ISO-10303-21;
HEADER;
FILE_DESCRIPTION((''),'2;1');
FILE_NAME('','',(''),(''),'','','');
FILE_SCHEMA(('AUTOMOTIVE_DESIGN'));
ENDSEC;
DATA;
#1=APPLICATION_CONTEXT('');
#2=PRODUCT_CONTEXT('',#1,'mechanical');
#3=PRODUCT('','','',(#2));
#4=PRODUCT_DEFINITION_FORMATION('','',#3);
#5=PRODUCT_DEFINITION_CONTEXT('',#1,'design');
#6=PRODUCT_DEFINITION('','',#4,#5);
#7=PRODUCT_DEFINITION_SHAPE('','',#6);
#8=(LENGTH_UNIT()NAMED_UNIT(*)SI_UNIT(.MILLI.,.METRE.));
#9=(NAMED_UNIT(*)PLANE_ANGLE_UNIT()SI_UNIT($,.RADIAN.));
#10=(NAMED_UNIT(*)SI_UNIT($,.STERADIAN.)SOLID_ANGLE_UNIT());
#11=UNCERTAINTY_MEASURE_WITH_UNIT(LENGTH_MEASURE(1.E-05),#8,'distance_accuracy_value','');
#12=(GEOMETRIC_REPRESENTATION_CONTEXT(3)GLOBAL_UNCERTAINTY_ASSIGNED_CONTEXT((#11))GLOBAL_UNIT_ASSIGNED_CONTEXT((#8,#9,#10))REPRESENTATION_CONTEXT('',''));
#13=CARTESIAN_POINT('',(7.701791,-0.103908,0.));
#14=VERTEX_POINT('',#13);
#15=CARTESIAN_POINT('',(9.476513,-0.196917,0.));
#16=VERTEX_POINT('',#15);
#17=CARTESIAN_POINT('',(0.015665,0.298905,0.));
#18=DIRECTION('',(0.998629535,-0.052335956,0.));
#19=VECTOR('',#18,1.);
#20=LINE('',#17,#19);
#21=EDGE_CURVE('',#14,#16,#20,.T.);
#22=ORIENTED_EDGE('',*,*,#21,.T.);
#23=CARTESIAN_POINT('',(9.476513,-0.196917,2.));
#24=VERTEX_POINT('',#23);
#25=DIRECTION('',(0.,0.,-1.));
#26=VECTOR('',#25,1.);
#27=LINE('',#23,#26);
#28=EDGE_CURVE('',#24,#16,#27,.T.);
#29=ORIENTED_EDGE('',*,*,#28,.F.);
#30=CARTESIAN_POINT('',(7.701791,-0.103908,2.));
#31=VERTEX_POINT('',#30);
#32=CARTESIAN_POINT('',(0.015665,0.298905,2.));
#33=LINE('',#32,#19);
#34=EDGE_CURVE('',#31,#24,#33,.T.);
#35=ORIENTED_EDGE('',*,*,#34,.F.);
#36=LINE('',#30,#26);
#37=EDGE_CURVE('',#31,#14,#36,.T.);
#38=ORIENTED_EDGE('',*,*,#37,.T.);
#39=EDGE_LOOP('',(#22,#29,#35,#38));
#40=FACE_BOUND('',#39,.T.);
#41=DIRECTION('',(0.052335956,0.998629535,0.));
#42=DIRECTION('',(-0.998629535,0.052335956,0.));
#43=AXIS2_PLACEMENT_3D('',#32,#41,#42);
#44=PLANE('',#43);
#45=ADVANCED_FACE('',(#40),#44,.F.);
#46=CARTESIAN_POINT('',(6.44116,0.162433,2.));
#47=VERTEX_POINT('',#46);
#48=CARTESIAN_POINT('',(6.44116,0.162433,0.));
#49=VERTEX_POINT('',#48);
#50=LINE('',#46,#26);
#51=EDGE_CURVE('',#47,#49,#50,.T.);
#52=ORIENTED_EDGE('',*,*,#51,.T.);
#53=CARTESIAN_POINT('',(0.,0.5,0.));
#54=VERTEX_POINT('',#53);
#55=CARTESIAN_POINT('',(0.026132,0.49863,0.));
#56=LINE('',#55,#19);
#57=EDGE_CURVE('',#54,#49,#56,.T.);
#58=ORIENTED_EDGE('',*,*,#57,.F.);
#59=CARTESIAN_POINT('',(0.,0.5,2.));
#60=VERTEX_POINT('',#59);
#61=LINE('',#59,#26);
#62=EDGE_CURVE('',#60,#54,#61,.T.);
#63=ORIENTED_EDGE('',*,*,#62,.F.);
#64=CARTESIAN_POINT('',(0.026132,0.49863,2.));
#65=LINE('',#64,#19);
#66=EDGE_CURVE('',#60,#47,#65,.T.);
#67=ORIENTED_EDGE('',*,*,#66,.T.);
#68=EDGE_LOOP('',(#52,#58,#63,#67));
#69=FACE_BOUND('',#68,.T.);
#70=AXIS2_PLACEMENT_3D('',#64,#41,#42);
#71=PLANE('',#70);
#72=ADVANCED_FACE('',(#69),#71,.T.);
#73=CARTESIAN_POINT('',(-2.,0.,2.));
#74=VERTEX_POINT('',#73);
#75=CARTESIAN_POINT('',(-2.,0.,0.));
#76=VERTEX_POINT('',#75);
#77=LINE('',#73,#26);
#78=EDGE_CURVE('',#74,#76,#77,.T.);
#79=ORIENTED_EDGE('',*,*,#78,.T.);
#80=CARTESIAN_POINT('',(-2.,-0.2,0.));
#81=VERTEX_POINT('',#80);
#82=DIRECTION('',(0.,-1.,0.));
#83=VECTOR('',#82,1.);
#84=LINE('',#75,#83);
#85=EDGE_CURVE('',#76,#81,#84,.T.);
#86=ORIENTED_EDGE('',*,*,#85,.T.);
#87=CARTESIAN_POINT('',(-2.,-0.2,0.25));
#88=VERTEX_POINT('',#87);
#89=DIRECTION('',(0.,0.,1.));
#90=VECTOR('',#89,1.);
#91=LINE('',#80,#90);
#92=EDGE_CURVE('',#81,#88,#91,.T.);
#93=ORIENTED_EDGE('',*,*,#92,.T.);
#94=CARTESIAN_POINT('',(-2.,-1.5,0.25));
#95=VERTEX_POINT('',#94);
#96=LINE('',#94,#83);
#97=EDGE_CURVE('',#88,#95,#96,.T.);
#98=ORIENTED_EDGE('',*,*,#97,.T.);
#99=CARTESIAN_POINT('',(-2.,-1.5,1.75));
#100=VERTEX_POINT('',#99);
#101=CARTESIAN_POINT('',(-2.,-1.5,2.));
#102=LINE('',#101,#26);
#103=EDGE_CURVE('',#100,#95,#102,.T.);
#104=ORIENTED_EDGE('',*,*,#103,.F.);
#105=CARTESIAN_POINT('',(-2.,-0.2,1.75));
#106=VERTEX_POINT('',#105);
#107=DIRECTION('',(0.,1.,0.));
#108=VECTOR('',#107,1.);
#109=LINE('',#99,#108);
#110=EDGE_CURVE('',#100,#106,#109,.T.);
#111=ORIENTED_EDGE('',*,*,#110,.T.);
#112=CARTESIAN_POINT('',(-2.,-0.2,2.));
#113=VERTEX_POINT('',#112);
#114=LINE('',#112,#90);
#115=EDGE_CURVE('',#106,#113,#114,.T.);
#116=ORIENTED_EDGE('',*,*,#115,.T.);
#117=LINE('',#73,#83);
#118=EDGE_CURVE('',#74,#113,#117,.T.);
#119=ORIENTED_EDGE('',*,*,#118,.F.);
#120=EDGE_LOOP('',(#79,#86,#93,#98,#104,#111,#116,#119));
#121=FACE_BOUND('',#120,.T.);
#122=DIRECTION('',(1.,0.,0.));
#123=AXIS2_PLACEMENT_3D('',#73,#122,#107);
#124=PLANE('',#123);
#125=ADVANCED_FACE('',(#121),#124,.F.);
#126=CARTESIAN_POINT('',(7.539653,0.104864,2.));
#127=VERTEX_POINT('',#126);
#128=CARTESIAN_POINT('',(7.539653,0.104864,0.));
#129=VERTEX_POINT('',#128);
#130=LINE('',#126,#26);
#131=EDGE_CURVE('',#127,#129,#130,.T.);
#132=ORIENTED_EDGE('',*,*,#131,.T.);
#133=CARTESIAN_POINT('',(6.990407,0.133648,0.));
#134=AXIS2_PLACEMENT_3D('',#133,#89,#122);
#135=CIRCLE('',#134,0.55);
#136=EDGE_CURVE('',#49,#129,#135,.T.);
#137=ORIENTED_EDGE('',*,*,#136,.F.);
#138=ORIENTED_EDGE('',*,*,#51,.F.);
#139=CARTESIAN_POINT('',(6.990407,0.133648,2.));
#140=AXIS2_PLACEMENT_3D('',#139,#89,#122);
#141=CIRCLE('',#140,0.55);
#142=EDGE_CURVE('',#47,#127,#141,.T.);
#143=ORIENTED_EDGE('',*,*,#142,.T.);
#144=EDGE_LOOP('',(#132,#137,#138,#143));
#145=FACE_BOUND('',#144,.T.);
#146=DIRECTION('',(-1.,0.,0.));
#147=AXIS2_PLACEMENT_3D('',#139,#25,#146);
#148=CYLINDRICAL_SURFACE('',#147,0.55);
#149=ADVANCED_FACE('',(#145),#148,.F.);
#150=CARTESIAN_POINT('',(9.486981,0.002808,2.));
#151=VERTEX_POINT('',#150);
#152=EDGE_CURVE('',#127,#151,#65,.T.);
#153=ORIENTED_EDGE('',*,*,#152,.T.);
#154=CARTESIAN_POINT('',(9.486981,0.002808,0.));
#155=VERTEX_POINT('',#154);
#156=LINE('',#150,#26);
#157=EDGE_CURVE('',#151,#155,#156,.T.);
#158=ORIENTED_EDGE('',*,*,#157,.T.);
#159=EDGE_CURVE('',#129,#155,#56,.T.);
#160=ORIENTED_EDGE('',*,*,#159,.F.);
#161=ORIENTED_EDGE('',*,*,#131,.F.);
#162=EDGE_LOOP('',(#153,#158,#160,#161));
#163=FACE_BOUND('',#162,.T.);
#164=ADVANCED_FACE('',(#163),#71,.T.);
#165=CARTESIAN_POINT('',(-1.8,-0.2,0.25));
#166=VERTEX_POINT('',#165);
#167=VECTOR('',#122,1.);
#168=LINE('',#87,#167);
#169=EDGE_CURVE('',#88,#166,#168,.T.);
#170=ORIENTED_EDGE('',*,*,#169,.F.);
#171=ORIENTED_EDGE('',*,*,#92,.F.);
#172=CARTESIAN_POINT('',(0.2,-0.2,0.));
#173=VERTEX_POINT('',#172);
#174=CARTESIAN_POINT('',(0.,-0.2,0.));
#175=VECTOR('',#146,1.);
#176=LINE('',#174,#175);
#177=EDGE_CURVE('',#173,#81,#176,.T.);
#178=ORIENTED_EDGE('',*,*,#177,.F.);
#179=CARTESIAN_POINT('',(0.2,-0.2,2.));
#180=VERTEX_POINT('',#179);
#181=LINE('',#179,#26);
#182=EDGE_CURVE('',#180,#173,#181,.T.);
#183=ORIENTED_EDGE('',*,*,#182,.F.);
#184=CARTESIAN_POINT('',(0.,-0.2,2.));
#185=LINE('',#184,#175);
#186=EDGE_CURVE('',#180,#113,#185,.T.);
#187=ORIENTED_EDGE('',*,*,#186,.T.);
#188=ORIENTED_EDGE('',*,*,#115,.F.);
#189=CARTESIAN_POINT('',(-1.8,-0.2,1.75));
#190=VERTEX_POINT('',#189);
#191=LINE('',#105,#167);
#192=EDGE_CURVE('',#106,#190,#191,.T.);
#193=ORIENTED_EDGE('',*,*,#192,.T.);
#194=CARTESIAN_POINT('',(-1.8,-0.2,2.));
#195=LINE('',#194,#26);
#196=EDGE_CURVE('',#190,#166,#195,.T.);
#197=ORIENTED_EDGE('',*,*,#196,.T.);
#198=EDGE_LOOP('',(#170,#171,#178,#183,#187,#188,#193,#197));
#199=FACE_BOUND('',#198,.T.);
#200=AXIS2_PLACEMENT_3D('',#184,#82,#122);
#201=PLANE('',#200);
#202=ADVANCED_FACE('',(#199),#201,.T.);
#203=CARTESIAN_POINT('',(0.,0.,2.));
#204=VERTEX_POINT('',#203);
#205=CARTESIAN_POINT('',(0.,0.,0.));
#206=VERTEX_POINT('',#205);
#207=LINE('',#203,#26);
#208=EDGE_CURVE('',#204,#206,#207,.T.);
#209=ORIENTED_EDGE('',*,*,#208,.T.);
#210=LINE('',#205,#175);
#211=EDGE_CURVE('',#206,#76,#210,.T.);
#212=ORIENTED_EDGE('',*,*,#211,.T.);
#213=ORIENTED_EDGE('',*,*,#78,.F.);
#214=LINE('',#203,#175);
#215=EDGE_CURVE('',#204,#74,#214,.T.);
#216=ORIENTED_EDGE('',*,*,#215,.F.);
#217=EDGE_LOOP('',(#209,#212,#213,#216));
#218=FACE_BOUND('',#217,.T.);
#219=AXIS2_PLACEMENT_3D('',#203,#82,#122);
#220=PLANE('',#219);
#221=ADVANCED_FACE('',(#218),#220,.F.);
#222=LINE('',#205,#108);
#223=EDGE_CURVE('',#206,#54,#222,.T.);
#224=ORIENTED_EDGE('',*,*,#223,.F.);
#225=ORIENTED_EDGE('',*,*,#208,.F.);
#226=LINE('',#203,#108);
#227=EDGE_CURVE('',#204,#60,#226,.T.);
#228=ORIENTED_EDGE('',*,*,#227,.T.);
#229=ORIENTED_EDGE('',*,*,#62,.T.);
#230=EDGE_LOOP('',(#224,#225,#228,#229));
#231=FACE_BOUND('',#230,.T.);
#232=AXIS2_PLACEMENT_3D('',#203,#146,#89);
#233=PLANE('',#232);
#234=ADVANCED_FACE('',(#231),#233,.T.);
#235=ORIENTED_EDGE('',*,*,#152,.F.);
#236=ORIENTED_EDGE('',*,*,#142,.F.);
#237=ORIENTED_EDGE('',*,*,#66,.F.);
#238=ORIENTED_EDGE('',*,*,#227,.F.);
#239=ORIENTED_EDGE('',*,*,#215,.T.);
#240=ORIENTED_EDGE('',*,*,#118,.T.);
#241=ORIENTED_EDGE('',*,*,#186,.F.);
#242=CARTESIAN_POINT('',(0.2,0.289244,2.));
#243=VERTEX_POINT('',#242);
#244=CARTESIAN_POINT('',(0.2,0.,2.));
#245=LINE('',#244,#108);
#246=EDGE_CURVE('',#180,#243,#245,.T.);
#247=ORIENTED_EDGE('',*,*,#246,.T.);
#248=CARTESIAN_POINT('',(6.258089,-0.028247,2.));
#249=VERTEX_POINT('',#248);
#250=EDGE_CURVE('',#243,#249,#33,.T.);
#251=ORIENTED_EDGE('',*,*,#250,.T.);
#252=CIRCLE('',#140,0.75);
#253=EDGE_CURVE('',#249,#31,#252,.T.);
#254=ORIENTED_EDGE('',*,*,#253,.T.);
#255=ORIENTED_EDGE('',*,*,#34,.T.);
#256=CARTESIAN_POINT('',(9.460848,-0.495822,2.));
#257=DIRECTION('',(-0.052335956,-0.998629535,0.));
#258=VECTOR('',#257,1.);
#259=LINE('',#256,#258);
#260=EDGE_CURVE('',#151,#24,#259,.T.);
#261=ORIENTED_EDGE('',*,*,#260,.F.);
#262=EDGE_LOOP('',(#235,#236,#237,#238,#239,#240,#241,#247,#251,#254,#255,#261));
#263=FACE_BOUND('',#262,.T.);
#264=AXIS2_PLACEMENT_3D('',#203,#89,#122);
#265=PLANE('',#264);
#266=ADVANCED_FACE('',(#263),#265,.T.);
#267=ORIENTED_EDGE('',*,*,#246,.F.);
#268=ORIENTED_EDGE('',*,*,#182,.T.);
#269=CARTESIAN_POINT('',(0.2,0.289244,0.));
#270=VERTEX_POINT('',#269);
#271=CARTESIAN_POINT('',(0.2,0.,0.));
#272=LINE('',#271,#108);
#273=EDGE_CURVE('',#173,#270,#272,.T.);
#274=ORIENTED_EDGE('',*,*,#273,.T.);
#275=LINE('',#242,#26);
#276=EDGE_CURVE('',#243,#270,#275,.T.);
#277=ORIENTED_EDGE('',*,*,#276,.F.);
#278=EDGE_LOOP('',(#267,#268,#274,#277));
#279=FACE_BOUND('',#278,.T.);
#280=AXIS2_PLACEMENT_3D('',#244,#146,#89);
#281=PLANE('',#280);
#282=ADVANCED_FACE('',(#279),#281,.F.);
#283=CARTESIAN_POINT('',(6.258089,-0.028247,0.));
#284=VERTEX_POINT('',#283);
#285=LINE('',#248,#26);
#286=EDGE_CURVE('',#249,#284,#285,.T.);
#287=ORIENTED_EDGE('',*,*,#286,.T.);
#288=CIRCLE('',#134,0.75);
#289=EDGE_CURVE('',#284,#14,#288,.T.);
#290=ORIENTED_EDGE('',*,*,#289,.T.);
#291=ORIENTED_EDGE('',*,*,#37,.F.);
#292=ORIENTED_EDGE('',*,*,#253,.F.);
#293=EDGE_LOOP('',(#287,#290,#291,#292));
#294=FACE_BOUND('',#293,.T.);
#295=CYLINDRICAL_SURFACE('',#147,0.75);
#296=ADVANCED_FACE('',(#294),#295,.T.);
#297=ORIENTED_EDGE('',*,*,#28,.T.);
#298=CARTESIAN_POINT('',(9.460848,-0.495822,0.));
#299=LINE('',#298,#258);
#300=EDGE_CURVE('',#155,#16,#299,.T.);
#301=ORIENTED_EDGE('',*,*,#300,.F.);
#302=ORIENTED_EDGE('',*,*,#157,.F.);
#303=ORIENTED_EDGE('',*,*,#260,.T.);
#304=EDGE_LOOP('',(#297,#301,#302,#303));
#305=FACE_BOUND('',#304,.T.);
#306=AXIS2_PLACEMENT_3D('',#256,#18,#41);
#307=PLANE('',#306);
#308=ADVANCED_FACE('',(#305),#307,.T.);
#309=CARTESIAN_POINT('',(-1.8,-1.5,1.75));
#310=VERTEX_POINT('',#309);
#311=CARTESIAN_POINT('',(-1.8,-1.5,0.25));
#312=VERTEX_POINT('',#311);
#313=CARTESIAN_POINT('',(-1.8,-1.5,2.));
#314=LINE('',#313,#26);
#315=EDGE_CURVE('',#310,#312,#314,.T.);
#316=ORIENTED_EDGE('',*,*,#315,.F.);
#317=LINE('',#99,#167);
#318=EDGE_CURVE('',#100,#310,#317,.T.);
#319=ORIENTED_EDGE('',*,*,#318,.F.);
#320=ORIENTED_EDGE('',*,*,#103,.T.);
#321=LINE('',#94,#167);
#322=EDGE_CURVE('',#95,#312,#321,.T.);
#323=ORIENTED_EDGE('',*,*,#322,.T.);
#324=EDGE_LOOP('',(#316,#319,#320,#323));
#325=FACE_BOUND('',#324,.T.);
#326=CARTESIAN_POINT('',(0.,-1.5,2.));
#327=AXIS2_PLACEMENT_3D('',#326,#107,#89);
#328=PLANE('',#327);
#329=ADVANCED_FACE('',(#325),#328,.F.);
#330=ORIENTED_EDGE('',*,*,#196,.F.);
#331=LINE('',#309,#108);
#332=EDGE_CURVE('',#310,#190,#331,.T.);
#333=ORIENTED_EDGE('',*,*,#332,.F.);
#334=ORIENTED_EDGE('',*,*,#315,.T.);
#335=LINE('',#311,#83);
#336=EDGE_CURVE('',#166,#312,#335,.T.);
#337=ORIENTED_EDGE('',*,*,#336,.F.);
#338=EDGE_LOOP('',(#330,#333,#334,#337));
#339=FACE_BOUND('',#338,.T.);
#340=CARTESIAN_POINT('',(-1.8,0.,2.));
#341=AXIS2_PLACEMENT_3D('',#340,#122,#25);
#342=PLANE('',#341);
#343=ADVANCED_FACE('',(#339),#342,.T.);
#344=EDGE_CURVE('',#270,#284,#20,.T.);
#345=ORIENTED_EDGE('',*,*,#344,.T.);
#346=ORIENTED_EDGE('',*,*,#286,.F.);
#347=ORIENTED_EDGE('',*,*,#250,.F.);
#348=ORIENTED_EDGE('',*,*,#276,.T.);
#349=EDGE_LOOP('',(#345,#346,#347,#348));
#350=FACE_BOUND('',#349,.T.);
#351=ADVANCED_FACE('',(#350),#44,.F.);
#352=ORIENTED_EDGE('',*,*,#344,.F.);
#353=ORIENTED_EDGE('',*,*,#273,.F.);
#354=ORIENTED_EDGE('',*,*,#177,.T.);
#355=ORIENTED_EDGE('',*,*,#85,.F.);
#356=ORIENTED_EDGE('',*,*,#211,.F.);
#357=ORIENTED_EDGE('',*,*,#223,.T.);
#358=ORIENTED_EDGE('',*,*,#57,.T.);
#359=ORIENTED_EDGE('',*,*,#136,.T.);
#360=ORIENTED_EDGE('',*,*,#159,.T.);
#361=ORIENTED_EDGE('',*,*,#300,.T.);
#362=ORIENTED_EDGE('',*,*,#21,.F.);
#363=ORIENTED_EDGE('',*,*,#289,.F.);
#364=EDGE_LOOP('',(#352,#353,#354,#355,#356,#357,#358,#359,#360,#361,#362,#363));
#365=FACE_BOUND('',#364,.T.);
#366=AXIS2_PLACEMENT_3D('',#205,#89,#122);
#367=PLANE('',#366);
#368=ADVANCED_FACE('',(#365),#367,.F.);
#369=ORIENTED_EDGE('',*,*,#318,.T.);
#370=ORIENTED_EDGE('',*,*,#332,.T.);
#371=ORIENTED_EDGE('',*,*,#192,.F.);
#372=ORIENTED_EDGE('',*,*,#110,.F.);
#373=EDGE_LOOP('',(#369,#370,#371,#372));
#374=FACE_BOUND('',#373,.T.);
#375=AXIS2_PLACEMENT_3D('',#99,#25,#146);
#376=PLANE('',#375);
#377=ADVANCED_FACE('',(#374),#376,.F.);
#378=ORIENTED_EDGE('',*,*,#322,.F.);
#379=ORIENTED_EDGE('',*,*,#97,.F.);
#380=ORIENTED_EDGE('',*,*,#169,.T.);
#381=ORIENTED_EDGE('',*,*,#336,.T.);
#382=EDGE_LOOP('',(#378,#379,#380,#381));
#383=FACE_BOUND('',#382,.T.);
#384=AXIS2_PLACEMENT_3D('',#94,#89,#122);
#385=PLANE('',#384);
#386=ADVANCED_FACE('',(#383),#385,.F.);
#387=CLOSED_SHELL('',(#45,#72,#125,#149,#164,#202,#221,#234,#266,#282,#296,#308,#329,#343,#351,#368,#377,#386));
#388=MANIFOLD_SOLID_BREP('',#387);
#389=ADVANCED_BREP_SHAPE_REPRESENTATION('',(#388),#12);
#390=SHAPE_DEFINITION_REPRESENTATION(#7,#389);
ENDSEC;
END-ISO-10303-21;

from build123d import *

# Parameters (mm, degrees)
EXTRUDE_1_DEPTH     = 2
SKETCH_3_W          = 0.25
SKETCH_3_H          = 1.3
CUT_EXTRUDE_2_DEPTH = 1.2


with BuildPart() as part:
    # 草图1 → 凸台-拉伸1 (new body)
    with BuildSketch(Plane.XY):
        with BuildLine():
            Line((0, 0), (0, 0.5))
            Line((0, 0.5), (6.441160499, 0.162433082))
            ThreePointArc((6.441160499, 0.162433082), (6.961621967, -0.415597938), (7.539652987, 0.10486353))
            Line((7.539652987, 0.10486353), (9.48698058, 0.002808416))
            Line((9.48698058, 0.002808416), (9.476513389, -0.196917491))
            Line((9.476513389, -0.196917491), (7.701790537, -0.103908208))
            ThreePointArc((7.701790537, -0.103908208), (6.951154776, -0.615323845), (6.258088567, -0.028246994))
            Line((6.258088567, -0.028246994), (0.2, 0.289243975))
            Line((0.2, 0.289243975), (0.2, -0.2))
            Line((0.2, -0.2), (-1.8, -0.2))
            Line((-1.8, -0.2), (-1.8, -1.5))
            Line((-1.8, -1.5), (-2, -1.5))
            Line((-2, -1.5), (-2, 0))
            Line((-2, 0), (0, 0))
        make_face()
    extrude(amount=EXTRUDE_1_DEPTH)

    # 草图3 → 切除-拉伸2 (cut, through all)
    with BuildSketch(Plane(origin=(-1.8, 0, 0), x_dir=(0, 0, -1), z_dir=(1, 0, 0))):
        with Locations((-1.875, -0.85)):
            Rectangle(SKETCH_3_W, SKETCH_3_H)
        with Locations((-0.125, -0.85)):
            Rectangle(SKETCH_3_W, SKETCH_3_H)
    extrude(amount=-CUT_EXTRUDE_2_DEPTH, mode=Mode.SUBTRACT)


solid = part.part
